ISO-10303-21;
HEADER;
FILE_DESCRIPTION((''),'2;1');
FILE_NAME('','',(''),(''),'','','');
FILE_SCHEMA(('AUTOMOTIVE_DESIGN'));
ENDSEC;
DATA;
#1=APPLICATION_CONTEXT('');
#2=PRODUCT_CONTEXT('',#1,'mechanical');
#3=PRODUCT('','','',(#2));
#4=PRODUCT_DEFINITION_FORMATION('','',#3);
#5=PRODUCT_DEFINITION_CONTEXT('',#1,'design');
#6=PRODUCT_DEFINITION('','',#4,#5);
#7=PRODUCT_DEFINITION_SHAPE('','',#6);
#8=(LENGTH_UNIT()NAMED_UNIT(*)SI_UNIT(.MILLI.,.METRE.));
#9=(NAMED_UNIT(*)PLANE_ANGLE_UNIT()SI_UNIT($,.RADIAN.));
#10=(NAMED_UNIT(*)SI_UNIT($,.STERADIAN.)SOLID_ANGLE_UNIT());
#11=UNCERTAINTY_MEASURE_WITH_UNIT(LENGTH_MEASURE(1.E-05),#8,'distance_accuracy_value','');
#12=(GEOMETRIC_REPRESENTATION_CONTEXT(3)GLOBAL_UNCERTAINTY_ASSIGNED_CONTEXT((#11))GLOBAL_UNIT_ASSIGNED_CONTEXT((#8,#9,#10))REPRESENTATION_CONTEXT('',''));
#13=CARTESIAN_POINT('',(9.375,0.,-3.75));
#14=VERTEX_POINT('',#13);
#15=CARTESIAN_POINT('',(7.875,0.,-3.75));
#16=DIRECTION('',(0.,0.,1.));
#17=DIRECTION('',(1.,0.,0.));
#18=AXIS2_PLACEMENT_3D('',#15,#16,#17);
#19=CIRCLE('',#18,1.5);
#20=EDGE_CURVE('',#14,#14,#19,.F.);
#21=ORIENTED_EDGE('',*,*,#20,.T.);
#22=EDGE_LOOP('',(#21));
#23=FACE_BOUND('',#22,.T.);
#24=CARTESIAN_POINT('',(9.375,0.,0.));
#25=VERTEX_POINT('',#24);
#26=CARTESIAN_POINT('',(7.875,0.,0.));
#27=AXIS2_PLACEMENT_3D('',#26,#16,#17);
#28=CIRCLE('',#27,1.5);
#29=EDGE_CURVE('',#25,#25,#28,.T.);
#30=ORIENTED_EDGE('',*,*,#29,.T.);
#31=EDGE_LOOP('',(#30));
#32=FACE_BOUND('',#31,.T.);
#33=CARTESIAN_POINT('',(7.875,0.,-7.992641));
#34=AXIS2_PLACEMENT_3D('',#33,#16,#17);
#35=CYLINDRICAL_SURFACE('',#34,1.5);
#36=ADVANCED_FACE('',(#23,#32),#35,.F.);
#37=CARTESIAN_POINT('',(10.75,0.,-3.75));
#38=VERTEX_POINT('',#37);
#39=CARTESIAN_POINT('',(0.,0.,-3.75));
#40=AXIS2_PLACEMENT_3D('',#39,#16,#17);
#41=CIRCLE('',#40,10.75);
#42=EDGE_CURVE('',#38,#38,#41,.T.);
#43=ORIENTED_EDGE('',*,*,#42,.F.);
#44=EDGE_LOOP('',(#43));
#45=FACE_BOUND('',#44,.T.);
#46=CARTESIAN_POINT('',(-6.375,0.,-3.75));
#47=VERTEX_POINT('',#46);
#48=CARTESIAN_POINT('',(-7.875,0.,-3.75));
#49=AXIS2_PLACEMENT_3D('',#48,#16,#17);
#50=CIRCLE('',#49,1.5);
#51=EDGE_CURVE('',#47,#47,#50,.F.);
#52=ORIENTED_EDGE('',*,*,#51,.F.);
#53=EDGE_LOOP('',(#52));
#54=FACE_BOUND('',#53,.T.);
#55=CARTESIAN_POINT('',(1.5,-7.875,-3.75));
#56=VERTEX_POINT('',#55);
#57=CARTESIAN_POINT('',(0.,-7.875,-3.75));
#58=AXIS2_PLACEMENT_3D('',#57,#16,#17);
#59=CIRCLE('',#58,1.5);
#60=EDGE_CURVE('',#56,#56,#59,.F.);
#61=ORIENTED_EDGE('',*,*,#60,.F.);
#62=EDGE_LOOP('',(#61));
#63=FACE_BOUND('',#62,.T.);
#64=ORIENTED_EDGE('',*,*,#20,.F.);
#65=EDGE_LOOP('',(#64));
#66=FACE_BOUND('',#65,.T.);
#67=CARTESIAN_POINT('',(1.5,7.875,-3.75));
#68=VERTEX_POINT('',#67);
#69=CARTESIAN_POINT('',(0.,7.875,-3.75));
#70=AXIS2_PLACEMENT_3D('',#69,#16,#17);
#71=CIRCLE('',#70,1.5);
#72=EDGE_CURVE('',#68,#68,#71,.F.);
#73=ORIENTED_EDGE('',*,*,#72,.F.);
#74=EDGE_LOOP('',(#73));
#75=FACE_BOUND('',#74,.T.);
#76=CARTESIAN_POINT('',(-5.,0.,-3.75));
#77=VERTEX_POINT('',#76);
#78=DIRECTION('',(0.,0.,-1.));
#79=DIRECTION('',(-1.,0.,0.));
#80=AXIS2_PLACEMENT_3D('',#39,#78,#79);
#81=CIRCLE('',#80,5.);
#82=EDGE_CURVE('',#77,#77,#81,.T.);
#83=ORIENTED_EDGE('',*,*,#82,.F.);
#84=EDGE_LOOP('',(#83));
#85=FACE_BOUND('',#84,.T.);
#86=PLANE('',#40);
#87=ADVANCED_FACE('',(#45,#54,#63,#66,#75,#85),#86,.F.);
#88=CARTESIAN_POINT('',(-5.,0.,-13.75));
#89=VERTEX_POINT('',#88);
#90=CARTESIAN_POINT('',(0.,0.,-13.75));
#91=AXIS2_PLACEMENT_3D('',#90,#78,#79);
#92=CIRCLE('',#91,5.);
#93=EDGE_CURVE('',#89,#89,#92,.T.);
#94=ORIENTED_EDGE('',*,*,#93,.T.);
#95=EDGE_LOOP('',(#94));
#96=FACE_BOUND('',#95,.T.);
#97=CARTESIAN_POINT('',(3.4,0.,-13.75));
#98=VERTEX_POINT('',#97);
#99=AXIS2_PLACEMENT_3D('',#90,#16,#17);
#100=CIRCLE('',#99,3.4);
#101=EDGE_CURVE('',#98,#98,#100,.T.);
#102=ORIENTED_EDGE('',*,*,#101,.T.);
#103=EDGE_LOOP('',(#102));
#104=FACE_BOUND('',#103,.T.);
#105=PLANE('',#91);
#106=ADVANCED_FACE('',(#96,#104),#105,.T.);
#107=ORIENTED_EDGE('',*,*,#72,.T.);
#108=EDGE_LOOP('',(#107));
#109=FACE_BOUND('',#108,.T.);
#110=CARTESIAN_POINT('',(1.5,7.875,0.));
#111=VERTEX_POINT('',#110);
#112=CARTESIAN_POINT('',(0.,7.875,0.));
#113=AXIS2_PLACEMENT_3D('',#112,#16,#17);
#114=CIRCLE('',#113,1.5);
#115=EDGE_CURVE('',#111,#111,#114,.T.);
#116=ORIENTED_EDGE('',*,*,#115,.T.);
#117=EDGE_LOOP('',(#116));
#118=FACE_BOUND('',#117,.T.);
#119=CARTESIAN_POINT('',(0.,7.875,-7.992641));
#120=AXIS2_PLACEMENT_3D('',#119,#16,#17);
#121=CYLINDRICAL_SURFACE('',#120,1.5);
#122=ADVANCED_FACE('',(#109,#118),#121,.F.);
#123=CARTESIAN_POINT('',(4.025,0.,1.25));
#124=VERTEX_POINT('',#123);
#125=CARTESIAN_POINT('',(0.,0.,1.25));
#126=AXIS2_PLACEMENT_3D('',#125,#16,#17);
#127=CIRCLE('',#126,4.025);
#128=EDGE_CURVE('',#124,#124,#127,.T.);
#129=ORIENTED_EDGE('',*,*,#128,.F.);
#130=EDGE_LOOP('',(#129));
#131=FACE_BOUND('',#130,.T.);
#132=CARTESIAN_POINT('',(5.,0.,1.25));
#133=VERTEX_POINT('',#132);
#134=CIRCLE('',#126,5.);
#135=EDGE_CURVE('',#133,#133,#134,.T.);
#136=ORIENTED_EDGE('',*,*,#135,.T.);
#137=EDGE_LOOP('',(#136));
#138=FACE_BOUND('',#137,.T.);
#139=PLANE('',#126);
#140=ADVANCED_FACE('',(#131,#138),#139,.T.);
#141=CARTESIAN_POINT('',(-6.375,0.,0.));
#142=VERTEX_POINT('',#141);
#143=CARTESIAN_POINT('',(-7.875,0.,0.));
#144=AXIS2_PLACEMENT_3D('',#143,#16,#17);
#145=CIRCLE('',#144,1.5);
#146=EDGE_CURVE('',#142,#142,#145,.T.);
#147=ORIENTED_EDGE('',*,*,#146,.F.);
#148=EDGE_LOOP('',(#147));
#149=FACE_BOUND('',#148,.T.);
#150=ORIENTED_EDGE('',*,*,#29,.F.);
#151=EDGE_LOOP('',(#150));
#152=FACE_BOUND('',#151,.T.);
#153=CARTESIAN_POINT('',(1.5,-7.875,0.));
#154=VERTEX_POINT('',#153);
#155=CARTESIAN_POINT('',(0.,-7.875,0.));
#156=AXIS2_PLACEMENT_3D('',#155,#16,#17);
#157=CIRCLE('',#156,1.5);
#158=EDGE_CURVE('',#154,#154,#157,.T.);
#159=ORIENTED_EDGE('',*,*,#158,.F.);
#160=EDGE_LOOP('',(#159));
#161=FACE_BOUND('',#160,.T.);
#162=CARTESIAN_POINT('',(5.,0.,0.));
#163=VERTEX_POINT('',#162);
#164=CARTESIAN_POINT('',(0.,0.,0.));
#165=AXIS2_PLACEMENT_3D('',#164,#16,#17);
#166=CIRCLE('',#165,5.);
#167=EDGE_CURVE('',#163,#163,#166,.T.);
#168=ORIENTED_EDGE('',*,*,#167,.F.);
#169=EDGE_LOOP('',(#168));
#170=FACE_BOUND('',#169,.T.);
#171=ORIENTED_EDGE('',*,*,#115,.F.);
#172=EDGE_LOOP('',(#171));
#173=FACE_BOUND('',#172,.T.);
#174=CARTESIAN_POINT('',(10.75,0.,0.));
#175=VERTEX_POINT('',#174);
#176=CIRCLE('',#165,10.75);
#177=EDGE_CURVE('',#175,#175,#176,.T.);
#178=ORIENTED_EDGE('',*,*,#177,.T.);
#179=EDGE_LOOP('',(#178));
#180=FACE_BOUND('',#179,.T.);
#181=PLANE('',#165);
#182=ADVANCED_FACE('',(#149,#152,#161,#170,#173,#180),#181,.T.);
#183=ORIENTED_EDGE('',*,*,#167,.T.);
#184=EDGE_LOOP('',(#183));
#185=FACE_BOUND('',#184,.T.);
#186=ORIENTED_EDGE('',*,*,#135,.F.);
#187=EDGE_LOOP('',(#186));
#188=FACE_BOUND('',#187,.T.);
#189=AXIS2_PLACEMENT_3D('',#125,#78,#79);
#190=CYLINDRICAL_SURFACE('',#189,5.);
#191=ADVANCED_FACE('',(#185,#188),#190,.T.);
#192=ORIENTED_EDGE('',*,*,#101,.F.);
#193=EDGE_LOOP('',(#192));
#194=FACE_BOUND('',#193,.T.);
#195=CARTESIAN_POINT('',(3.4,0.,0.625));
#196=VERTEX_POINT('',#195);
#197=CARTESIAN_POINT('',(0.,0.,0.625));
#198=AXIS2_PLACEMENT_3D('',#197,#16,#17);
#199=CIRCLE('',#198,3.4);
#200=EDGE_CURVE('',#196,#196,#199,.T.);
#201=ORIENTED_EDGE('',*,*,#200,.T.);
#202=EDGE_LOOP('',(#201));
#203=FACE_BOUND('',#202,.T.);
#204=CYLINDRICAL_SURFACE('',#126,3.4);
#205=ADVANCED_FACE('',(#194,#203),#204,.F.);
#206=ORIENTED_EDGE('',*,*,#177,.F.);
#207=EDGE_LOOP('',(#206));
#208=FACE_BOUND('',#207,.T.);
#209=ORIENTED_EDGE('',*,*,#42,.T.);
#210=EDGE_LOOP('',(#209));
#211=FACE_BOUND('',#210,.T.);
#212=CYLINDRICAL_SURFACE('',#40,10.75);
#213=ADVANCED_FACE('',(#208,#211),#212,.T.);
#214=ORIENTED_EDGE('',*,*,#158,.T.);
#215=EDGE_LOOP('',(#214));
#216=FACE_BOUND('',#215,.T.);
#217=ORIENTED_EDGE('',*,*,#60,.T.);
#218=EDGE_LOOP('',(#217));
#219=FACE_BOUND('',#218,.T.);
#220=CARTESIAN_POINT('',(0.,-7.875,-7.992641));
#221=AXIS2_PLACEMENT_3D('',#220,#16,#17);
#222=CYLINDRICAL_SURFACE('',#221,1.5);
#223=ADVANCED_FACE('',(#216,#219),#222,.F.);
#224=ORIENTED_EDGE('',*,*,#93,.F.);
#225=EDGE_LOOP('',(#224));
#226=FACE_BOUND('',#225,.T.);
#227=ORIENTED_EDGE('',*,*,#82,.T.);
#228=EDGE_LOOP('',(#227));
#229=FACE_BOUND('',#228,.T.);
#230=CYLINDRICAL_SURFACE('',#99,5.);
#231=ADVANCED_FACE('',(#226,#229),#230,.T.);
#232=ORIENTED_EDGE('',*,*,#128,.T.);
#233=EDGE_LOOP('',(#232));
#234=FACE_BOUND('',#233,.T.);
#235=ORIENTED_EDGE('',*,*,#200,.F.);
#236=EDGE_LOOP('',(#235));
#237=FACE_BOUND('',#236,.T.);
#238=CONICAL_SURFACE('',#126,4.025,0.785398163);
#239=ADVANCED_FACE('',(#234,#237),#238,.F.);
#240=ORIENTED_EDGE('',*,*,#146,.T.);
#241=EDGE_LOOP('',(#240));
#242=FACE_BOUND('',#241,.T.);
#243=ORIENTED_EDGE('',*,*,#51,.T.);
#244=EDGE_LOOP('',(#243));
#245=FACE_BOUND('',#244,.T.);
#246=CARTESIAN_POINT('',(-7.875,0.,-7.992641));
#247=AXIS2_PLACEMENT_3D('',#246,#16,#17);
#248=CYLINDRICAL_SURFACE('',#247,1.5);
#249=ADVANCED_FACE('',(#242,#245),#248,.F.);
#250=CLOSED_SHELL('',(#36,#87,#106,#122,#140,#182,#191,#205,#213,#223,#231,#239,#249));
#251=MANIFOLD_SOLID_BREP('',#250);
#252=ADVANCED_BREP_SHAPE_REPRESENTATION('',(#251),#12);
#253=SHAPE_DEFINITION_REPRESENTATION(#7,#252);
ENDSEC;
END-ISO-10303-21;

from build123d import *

# Parameters (mm, degrees)
SKETCH3_R                   = 10.75
BOSS_EXTRUDE1_DEPTH         = 3.75
SKETCH4_R                   = 5
BOSS_EXTRUDE2_DEPTH         = 10
BOSS_EXTRUDE3_START         = 1.25
SKETCH5_R                   = 5
BOSS_EXTRUDE3_DEPTH         = 1.25
M8_TAPPED_HOLE1_D           = 6.8
M8_TAPPED_HOLE1_DEPTH       = 15
M8_TAPPED_HOLE1_CSINK_D     = 8.05
M8_TAPPED_HOLE1_CSINK_ANGLE = 90
M8_TAPPED_HOLE1_TIP         = 2.042926105
SKETCH9_R                   = 1.5
CUT_EXTRUDE1_DEPTH          = 3.75


with BuildPart() as part:
    # Sketch3 → Boss-Extrude1 (new body)
    with BuildSketch(Plane.XY):
        Circle(SKETCH3_R)
    extrude(amount=-BOSS_EXTRUDE1_DEPTH)

    # Sketch4 → Boss-Extrude2 (add)
    with BuildSketch(Plane(origin=(0, 0, -3.75), x_dir=(-1, 0, 0), z_dir=(0, 0, -1))):
        Circle(SKETCH4_R)
    extrude(amount=BOSS_EXTRUDE2_DEPTH)

    # Sketch5 → Boss-Extrude3 (add)
    with BuildSketch(Plane.XY.offset(BOSS_EXTRUDE3_START)):
        with Locations(Location((0, 0, 0), (0, 0, 180))):
            Circle(SKETCH5_R)
    extrude(amount=-BOSS_EXTRUDE3_DEPTH)

    # M8 Tapped Hole1
    with Locations(Plane.XY.offset(1.25)):
        with Locations((0, 0)):
            CounterSinkHole(M8_TAPPED_HOLE1_D / 2, M8_TAPPED_HOLE1_CSINK_D / 2, depth=M8_TAPPED_HOLE1_DEPTH, counter_sink_angle=M8_TAPPED_HOLE1_CSINK_ANGLE)
            with Locations((0, 0, -(M8_TAPPED_HOLE1_DEPTH + M8_TAPPED_HOLE1_TIP / 2))):  # 118° drill point
                Cone(0, M8_TAPPED_HOLE1_D / 2, M8_TAPPED_HOLE1_TIP, mode=Mode.SUBTRACT)

    # Sketch9 → Cut-Extrude1 (cut)
    with BuildSketch(Plane.XY):
        with Locations((-7.875, 0)):
            Circle(SKETCH9_R)
        with Locations((0, 7.875)):
            Circle(SKETCH9_R)
        with Locations((7.875, 0)):
            Circle(SKETCH9_R)
        with Locations((0, -7.875)):
            Circle(SKETCH9_R)
    extrude(amount=-CUT_EXTRUDE1_DEPTH, mode=Mode.SUBTRACT)


solid = part.part
